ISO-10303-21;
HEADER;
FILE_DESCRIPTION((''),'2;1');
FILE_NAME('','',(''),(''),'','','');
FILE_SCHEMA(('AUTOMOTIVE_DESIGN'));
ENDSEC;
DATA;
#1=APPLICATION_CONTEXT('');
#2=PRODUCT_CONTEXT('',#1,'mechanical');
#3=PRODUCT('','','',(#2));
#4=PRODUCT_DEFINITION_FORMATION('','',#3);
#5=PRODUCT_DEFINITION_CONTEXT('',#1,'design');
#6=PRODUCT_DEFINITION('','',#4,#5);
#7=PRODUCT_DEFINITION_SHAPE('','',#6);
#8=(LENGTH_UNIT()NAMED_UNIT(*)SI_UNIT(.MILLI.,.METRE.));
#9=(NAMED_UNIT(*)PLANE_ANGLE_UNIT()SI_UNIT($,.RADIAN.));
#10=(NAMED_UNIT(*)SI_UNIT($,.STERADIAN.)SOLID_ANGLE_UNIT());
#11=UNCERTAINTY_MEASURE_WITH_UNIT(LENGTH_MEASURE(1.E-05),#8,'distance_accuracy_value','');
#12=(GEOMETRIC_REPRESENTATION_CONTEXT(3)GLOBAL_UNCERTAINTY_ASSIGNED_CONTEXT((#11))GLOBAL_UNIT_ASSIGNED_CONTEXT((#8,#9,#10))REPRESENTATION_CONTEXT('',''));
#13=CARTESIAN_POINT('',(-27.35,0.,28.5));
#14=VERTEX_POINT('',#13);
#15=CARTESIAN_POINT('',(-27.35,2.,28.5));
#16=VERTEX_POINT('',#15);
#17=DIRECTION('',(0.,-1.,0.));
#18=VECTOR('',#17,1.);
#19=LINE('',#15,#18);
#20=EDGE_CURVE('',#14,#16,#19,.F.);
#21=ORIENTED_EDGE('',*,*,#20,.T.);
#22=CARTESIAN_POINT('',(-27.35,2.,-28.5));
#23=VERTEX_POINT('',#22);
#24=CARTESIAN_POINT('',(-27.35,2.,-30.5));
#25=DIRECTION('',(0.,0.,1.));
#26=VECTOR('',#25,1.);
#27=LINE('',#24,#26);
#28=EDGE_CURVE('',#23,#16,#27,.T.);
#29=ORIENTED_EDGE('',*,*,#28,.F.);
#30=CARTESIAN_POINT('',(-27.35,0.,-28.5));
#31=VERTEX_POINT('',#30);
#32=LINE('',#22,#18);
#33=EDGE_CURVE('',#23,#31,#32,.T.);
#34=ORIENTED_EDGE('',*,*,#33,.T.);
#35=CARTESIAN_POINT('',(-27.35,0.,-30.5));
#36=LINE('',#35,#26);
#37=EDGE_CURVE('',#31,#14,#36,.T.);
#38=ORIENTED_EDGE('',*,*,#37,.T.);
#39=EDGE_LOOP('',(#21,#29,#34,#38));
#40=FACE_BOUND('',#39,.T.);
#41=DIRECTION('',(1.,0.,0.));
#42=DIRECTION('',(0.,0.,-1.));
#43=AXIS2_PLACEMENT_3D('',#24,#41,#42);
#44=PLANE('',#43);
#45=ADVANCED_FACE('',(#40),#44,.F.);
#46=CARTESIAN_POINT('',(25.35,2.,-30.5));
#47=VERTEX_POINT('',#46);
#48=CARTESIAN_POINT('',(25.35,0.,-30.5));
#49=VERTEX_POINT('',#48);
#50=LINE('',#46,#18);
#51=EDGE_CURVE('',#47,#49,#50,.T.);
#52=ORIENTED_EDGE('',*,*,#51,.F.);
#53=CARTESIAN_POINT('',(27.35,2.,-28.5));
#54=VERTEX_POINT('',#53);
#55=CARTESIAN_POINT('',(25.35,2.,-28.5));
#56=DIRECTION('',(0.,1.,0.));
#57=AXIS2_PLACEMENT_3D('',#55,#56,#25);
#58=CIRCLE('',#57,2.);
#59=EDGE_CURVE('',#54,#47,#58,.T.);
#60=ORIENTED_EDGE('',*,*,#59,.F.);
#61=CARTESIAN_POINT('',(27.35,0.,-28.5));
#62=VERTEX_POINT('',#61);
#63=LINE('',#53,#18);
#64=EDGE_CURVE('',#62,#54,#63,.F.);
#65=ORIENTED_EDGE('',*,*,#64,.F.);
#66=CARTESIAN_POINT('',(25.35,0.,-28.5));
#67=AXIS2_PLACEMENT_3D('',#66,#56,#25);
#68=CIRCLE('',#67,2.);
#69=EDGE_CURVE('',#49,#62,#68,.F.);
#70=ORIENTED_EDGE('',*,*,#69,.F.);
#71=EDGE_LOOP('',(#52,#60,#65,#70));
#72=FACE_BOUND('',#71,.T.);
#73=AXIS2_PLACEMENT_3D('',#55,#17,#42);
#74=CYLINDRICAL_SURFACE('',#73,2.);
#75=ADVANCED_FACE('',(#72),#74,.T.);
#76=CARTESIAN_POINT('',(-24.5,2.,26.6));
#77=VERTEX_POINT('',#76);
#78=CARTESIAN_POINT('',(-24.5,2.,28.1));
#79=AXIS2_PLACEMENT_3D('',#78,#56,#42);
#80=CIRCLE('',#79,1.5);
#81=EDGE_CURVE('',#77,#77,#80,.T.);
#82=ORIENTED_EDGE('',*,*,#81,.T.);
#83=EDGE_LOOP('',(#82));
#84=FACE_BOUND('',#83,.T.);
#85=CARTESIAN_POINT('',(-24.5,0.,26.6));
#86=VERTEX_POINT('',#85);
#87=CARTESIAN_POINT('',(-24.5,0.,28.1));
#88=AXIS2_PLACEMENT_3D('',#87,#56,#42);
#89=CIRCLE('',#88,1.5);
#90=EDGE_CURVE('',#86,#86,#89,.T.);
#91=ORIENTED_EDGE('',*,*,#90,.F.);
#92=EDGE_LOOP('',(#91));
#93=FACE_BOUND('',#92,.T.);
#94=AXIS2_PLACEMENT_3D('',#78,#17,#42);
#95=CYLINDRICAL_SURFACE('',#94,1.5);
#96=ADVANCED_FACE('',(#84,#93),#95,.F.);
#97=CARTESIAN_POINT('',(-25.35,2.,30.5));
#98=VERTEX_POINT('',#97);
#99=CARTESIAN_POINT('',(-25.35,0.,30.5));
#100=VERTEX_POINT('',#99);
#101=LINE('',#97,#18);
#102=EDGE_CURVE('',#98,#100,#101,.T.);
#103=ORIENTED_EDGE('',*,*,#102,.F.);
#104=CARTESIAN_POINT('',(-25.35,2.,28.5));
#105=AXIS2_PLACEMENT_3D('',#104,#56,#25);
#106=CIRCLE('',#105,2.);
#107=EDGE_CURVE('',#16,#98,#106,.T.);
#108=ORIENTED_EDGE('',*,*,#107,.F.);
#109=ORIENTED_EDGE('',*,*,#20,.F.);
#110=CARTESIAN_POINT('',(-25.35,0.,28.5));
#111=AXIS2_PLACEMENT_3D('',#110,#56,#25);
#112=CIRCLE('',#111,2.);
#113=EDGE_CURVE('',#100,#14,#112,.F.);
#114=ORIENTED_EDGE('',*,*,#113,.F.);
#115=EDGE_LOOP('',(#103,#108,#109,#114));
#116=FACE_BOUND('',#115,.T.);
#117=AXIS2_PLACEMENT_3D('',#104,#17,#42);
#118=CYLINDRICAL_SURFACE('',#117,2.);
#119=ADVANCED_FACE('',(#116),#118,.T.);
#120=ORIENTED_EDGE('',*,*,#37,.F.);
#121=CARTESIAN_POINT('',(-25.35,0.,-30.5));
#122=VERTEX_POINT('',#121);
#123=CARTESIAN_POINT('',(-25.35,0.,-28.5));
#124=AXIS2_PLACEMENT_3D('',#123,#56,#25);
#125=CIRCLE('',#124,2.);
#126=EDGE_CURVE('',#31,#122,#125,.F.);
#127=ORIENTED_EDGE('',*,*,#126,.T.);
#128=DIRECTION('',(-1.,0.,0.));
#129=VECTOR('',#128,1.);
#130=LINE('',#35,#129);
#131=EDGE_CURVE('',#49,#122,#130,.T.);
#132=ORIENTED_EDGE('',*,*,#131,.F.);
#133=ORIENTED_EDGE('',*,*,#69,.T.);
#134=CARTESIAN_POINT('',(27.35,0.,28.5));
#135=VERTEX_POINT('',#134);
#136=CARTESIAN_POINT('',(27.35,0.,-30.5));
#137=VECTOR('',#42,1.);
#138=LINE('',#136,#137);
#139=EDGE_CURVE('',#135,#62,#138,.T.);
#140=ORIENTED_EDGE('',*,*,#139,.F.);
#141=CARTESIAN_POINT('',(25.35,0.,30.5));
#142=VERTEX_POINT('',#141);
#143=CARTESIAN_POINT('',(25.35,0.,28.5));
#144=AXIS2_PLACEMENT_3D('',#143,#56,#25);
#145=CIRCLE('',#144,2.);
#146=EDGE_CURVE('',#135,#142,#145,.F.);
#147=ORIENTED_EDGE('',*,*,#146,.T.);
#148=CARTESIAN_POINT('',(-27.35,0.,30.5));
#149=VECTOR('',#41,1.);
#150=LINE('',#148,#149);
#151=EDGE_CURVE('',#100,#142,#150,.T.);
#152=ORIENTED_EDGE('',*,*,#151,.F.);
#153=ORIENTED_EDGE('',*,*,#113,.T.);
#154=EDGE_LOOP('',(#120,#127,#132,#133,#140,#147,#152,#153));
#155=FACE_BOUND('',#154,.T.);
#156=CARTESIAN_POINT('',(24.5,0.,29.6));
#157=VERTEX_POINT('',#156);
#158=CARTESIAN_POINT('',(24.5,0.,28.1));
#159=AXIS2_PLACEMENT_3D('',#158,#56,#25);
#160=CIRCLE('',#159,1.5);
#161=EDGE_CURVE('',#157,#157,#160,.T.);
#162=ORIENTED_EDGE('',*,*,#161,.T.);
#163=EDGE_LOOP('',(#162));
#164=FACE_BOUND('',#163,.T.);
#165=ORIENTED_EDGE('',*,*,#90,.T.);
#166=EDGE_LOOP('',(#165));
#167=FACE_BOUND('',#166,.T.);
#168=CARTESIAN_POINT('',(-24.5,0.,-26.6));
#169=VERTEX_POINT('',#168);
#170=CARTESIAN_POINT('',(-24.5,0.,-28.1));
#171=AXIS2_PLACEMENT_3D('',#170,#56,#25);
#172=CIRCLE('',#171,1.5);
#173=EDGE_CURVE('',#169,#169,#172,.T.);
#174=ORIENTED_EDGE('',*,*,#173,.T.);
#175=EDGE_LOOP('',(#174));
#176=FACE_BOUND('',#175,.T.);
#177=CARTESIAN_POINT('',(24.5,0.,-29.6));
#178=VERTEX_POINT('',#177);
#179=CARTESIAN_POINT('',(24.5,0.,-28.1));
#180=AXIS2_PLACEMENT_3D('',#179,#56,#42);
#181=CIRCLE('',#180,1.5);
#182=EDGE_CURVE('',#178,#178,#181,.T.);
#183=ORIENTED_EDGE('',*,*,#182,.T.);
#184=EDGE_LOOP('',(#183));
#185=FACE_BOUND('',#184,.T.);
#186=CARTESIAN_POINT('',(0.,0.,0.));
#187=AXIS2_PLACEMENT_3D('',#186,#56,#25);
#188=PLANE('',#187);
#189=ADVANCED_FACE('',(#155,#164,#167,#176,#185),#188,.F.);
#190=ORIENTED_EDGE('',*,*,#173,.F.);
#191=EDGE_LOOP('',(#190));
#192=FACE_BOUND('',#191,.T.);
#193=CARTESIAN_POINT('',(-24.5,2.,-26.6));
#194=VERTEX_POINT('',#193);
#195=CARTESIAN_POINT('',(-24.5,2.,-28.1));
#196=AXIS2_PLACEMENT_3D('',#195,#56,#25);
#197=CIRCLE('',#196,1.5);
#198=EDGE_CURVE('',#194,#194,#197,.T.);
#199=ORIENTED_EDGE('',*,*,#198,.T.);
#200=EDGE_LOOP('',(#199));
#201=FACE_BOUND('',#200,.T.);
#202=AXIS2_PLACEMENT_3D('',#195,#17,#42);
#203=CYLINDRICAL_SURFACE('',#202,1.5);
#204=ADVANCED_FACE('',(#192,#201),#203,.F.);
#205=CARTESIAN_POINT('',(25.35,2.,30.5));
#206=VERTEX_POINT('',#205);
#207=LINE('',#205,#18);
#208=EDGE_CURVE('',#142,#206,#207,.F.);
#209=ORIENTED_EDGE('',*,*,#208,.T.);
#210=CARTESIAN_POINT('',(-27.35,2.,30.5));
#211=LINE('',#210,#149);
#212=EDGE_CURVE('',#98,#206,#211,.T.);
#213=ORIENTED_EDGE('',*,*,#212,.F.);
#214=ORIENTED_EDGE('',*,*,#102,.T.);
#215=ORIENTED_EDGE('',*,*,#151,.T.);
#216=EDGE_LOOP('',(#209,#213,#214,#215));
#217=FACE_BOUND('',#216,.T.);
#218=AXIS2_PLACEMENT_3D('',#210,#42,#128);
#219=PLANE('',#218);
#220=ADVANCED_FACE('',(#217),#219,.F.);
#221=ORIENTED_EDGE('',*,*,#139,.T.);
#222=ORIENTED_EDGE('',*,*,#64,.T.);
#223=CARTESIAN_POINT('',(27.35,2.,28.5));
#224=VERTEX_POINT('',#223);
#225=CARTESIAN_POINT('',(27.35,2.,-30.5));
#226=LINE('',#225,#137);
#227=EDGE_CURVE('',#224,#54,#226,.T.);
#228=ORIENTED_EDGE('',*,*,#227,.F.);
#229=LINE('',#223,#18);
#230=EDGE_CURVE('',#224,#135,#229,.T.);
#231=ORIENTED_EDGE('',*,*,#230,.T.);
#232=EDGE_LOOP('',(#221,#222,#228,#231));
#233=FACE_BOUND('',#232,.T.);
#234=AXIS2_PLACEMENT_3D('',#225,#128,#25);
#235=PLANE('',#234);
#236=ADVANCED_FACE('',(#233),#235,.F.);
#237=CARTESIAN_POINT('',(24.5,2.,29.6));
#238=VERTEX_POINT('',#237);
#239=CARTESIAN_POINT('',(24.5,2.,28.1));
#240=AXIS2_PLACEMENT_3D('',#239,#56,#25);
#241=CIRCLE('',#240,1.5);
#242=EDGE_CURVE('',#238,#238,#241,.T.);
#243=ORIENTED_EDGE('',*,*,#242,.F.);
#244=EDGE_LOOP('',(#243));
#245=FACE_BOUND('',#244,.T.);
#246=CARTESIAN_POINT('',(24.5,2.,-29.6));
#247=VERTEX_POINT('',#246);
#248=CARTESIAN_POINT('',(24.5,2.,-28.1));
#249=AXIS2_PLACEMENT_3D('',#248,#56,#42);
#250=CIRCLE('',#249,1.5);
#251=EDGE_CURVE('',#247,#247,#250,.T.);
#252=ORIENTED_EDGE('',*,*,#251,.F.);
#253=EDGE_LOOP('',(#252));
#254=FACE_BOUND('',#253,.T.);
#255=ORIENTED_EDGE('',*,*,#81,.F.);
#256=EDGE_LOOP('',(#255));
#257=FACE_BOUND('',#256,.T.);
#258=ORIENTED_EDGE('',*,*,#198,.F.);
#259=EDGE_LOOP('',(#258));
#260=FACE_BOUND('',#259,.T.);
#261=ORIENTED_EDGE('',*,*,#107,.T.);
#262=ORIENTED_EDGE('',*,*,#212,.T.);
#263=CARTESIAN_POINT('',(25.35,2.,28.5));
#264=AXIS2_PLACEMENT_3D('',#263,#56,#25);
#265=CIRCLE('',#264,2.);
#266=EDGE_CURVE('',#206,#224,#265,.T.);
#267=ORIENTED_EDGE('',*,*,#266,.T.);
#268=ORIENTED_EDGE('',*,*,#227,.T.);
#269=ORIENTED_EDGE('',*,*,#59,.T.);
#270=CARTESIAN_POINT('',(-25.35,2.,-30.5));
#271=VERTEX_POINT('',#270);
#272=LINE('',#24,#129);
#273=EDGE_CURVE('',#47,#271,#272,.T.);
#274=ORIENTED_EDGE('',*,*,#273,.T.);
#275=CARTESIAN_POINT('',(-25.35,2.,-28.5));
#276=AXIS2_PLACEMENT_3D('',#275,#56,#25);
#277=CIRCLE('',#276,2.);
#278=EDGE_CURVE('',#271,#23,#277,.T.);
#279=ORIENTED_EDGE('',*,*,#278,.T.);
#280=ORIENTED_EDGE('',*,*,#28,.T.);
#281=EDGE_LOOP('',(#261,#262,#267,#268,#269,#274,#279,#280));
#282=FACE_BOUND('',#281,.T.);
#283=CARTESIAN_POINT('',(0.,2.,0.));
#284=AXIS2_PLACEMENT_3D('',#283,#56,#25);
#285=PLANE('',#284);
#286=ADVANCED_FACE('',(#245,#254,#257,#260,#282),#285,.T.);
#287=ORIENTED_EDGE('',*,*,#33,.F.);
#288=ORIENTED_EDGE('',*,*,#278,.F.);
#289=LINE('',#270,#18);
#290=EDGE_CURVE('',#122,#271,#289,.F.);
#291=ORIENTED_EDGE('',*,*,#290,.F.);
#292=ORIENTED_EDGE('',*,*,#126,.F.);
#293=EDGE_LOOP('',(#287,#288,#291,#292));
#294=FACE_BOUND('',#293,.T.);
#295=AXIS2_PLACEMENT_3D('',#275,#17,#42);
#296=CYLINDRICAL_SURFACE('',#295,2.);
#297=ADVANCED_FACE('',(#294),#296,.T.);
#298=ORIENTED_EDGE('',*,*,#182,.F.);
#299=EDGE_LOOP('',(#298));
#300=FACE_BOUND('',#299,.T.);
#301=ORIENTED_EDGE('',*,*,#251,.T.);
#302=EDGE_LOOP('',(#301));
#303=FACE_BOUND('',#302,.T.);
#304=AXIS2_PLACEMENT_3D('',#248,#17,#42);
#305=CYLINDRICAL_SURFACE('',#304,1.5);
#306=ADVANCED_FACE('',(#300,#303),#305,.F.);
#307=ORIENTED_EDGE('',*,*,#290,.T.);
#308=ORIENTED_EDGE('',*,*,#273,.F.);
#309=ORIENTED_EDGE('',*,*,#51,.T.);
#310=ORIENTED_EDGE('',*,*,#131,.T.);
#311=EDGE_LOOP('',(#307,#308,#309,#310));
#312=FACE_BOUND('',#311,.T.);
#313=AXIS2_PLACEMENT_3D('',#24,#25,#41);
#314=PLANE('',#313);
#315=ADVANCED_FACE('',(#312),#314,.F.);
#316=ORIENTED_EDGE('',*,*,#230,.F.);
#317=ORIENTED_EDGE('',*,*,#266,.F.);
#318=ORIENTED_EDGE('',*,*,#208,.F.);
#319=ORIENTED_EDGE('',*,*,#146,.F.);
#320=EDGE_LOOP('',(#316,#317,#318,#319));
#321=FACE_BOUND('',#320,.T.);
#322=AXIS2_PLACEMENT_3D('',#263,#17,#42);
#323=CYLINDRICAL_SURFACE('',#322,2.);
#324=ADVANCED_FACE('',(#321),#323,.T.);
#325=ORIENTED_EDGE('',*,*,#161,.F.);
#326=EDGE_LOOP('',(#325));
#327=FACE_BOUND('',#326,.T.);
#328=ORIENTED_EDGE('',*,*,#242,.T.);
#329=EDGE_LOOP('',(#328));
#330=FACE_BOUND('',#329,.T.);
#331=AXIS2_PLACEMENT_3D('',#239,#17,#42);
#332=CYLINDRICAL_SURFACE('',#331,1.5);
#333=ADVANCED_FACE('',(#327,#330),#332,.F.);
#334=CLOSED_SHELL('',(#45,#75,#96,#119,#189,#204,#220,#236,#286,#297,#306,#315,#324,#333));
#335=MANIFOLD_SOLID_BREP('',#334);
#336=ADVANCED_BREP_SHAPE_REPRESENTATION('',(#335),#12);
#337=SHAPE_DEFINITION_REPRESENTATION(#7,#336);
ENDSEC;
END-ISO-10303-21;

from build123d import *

# Parameters (mm, degrees)
SKETCH_1_W      = 54.7
SKETCH_1_H      = 61
SKETCH_1_R      = 1.5
EXTRUDE_1_DEPTH = 2
FILLET_1_R      = 2


with BuildPart() as part:
    # 草图1 → 凸台-拉伸1 (new body)
    with BuildSketch(Plane(origin=(0, 0, 0), x_dir=(1, 0, 0), z_dir=(0, 1, 0))):
        Rectangle(SKETCH_1_W, SKETCH_1_H)
        with Locations(Location((-24.5, 28.1, 0), (0, 0, 270))):
            Circle(SKETCH_1_R, mode=Mode.SUBTRACT)
        with Locations(Location((-24.5, -28.1, 0), (0, 0, 90))):
            Circle(SKETCH_1_R, mode=Mode.SUBTRACT)
        with Locations(Location((24.5, 28.1, 0), (0, 0, 90))):
            Circle(SKETCH_1_R, mode=Mode.SUBTRACT)
        with Locations(Location((24.5, -28.1, 0), (0, 0, 270))):
            Circle(SKETCH_1_R, mode=Mode.SUBTRACT)
    extrude(amount=EXTRUDE_1_DEPTH)

    # 圆角1
    fillet_1_edges = [part.edges().sort_by_distance(p)[0] for p in [
        (27.35, 1, 30.5),
        (-27.35, 1, 30.5),
        (-27.35, 1, -30.5),
        (27.35, 1, -30.5),
    ]]
    fillet(fillet_1_edges, radius=FILLET_1_R)


solid = part.part
